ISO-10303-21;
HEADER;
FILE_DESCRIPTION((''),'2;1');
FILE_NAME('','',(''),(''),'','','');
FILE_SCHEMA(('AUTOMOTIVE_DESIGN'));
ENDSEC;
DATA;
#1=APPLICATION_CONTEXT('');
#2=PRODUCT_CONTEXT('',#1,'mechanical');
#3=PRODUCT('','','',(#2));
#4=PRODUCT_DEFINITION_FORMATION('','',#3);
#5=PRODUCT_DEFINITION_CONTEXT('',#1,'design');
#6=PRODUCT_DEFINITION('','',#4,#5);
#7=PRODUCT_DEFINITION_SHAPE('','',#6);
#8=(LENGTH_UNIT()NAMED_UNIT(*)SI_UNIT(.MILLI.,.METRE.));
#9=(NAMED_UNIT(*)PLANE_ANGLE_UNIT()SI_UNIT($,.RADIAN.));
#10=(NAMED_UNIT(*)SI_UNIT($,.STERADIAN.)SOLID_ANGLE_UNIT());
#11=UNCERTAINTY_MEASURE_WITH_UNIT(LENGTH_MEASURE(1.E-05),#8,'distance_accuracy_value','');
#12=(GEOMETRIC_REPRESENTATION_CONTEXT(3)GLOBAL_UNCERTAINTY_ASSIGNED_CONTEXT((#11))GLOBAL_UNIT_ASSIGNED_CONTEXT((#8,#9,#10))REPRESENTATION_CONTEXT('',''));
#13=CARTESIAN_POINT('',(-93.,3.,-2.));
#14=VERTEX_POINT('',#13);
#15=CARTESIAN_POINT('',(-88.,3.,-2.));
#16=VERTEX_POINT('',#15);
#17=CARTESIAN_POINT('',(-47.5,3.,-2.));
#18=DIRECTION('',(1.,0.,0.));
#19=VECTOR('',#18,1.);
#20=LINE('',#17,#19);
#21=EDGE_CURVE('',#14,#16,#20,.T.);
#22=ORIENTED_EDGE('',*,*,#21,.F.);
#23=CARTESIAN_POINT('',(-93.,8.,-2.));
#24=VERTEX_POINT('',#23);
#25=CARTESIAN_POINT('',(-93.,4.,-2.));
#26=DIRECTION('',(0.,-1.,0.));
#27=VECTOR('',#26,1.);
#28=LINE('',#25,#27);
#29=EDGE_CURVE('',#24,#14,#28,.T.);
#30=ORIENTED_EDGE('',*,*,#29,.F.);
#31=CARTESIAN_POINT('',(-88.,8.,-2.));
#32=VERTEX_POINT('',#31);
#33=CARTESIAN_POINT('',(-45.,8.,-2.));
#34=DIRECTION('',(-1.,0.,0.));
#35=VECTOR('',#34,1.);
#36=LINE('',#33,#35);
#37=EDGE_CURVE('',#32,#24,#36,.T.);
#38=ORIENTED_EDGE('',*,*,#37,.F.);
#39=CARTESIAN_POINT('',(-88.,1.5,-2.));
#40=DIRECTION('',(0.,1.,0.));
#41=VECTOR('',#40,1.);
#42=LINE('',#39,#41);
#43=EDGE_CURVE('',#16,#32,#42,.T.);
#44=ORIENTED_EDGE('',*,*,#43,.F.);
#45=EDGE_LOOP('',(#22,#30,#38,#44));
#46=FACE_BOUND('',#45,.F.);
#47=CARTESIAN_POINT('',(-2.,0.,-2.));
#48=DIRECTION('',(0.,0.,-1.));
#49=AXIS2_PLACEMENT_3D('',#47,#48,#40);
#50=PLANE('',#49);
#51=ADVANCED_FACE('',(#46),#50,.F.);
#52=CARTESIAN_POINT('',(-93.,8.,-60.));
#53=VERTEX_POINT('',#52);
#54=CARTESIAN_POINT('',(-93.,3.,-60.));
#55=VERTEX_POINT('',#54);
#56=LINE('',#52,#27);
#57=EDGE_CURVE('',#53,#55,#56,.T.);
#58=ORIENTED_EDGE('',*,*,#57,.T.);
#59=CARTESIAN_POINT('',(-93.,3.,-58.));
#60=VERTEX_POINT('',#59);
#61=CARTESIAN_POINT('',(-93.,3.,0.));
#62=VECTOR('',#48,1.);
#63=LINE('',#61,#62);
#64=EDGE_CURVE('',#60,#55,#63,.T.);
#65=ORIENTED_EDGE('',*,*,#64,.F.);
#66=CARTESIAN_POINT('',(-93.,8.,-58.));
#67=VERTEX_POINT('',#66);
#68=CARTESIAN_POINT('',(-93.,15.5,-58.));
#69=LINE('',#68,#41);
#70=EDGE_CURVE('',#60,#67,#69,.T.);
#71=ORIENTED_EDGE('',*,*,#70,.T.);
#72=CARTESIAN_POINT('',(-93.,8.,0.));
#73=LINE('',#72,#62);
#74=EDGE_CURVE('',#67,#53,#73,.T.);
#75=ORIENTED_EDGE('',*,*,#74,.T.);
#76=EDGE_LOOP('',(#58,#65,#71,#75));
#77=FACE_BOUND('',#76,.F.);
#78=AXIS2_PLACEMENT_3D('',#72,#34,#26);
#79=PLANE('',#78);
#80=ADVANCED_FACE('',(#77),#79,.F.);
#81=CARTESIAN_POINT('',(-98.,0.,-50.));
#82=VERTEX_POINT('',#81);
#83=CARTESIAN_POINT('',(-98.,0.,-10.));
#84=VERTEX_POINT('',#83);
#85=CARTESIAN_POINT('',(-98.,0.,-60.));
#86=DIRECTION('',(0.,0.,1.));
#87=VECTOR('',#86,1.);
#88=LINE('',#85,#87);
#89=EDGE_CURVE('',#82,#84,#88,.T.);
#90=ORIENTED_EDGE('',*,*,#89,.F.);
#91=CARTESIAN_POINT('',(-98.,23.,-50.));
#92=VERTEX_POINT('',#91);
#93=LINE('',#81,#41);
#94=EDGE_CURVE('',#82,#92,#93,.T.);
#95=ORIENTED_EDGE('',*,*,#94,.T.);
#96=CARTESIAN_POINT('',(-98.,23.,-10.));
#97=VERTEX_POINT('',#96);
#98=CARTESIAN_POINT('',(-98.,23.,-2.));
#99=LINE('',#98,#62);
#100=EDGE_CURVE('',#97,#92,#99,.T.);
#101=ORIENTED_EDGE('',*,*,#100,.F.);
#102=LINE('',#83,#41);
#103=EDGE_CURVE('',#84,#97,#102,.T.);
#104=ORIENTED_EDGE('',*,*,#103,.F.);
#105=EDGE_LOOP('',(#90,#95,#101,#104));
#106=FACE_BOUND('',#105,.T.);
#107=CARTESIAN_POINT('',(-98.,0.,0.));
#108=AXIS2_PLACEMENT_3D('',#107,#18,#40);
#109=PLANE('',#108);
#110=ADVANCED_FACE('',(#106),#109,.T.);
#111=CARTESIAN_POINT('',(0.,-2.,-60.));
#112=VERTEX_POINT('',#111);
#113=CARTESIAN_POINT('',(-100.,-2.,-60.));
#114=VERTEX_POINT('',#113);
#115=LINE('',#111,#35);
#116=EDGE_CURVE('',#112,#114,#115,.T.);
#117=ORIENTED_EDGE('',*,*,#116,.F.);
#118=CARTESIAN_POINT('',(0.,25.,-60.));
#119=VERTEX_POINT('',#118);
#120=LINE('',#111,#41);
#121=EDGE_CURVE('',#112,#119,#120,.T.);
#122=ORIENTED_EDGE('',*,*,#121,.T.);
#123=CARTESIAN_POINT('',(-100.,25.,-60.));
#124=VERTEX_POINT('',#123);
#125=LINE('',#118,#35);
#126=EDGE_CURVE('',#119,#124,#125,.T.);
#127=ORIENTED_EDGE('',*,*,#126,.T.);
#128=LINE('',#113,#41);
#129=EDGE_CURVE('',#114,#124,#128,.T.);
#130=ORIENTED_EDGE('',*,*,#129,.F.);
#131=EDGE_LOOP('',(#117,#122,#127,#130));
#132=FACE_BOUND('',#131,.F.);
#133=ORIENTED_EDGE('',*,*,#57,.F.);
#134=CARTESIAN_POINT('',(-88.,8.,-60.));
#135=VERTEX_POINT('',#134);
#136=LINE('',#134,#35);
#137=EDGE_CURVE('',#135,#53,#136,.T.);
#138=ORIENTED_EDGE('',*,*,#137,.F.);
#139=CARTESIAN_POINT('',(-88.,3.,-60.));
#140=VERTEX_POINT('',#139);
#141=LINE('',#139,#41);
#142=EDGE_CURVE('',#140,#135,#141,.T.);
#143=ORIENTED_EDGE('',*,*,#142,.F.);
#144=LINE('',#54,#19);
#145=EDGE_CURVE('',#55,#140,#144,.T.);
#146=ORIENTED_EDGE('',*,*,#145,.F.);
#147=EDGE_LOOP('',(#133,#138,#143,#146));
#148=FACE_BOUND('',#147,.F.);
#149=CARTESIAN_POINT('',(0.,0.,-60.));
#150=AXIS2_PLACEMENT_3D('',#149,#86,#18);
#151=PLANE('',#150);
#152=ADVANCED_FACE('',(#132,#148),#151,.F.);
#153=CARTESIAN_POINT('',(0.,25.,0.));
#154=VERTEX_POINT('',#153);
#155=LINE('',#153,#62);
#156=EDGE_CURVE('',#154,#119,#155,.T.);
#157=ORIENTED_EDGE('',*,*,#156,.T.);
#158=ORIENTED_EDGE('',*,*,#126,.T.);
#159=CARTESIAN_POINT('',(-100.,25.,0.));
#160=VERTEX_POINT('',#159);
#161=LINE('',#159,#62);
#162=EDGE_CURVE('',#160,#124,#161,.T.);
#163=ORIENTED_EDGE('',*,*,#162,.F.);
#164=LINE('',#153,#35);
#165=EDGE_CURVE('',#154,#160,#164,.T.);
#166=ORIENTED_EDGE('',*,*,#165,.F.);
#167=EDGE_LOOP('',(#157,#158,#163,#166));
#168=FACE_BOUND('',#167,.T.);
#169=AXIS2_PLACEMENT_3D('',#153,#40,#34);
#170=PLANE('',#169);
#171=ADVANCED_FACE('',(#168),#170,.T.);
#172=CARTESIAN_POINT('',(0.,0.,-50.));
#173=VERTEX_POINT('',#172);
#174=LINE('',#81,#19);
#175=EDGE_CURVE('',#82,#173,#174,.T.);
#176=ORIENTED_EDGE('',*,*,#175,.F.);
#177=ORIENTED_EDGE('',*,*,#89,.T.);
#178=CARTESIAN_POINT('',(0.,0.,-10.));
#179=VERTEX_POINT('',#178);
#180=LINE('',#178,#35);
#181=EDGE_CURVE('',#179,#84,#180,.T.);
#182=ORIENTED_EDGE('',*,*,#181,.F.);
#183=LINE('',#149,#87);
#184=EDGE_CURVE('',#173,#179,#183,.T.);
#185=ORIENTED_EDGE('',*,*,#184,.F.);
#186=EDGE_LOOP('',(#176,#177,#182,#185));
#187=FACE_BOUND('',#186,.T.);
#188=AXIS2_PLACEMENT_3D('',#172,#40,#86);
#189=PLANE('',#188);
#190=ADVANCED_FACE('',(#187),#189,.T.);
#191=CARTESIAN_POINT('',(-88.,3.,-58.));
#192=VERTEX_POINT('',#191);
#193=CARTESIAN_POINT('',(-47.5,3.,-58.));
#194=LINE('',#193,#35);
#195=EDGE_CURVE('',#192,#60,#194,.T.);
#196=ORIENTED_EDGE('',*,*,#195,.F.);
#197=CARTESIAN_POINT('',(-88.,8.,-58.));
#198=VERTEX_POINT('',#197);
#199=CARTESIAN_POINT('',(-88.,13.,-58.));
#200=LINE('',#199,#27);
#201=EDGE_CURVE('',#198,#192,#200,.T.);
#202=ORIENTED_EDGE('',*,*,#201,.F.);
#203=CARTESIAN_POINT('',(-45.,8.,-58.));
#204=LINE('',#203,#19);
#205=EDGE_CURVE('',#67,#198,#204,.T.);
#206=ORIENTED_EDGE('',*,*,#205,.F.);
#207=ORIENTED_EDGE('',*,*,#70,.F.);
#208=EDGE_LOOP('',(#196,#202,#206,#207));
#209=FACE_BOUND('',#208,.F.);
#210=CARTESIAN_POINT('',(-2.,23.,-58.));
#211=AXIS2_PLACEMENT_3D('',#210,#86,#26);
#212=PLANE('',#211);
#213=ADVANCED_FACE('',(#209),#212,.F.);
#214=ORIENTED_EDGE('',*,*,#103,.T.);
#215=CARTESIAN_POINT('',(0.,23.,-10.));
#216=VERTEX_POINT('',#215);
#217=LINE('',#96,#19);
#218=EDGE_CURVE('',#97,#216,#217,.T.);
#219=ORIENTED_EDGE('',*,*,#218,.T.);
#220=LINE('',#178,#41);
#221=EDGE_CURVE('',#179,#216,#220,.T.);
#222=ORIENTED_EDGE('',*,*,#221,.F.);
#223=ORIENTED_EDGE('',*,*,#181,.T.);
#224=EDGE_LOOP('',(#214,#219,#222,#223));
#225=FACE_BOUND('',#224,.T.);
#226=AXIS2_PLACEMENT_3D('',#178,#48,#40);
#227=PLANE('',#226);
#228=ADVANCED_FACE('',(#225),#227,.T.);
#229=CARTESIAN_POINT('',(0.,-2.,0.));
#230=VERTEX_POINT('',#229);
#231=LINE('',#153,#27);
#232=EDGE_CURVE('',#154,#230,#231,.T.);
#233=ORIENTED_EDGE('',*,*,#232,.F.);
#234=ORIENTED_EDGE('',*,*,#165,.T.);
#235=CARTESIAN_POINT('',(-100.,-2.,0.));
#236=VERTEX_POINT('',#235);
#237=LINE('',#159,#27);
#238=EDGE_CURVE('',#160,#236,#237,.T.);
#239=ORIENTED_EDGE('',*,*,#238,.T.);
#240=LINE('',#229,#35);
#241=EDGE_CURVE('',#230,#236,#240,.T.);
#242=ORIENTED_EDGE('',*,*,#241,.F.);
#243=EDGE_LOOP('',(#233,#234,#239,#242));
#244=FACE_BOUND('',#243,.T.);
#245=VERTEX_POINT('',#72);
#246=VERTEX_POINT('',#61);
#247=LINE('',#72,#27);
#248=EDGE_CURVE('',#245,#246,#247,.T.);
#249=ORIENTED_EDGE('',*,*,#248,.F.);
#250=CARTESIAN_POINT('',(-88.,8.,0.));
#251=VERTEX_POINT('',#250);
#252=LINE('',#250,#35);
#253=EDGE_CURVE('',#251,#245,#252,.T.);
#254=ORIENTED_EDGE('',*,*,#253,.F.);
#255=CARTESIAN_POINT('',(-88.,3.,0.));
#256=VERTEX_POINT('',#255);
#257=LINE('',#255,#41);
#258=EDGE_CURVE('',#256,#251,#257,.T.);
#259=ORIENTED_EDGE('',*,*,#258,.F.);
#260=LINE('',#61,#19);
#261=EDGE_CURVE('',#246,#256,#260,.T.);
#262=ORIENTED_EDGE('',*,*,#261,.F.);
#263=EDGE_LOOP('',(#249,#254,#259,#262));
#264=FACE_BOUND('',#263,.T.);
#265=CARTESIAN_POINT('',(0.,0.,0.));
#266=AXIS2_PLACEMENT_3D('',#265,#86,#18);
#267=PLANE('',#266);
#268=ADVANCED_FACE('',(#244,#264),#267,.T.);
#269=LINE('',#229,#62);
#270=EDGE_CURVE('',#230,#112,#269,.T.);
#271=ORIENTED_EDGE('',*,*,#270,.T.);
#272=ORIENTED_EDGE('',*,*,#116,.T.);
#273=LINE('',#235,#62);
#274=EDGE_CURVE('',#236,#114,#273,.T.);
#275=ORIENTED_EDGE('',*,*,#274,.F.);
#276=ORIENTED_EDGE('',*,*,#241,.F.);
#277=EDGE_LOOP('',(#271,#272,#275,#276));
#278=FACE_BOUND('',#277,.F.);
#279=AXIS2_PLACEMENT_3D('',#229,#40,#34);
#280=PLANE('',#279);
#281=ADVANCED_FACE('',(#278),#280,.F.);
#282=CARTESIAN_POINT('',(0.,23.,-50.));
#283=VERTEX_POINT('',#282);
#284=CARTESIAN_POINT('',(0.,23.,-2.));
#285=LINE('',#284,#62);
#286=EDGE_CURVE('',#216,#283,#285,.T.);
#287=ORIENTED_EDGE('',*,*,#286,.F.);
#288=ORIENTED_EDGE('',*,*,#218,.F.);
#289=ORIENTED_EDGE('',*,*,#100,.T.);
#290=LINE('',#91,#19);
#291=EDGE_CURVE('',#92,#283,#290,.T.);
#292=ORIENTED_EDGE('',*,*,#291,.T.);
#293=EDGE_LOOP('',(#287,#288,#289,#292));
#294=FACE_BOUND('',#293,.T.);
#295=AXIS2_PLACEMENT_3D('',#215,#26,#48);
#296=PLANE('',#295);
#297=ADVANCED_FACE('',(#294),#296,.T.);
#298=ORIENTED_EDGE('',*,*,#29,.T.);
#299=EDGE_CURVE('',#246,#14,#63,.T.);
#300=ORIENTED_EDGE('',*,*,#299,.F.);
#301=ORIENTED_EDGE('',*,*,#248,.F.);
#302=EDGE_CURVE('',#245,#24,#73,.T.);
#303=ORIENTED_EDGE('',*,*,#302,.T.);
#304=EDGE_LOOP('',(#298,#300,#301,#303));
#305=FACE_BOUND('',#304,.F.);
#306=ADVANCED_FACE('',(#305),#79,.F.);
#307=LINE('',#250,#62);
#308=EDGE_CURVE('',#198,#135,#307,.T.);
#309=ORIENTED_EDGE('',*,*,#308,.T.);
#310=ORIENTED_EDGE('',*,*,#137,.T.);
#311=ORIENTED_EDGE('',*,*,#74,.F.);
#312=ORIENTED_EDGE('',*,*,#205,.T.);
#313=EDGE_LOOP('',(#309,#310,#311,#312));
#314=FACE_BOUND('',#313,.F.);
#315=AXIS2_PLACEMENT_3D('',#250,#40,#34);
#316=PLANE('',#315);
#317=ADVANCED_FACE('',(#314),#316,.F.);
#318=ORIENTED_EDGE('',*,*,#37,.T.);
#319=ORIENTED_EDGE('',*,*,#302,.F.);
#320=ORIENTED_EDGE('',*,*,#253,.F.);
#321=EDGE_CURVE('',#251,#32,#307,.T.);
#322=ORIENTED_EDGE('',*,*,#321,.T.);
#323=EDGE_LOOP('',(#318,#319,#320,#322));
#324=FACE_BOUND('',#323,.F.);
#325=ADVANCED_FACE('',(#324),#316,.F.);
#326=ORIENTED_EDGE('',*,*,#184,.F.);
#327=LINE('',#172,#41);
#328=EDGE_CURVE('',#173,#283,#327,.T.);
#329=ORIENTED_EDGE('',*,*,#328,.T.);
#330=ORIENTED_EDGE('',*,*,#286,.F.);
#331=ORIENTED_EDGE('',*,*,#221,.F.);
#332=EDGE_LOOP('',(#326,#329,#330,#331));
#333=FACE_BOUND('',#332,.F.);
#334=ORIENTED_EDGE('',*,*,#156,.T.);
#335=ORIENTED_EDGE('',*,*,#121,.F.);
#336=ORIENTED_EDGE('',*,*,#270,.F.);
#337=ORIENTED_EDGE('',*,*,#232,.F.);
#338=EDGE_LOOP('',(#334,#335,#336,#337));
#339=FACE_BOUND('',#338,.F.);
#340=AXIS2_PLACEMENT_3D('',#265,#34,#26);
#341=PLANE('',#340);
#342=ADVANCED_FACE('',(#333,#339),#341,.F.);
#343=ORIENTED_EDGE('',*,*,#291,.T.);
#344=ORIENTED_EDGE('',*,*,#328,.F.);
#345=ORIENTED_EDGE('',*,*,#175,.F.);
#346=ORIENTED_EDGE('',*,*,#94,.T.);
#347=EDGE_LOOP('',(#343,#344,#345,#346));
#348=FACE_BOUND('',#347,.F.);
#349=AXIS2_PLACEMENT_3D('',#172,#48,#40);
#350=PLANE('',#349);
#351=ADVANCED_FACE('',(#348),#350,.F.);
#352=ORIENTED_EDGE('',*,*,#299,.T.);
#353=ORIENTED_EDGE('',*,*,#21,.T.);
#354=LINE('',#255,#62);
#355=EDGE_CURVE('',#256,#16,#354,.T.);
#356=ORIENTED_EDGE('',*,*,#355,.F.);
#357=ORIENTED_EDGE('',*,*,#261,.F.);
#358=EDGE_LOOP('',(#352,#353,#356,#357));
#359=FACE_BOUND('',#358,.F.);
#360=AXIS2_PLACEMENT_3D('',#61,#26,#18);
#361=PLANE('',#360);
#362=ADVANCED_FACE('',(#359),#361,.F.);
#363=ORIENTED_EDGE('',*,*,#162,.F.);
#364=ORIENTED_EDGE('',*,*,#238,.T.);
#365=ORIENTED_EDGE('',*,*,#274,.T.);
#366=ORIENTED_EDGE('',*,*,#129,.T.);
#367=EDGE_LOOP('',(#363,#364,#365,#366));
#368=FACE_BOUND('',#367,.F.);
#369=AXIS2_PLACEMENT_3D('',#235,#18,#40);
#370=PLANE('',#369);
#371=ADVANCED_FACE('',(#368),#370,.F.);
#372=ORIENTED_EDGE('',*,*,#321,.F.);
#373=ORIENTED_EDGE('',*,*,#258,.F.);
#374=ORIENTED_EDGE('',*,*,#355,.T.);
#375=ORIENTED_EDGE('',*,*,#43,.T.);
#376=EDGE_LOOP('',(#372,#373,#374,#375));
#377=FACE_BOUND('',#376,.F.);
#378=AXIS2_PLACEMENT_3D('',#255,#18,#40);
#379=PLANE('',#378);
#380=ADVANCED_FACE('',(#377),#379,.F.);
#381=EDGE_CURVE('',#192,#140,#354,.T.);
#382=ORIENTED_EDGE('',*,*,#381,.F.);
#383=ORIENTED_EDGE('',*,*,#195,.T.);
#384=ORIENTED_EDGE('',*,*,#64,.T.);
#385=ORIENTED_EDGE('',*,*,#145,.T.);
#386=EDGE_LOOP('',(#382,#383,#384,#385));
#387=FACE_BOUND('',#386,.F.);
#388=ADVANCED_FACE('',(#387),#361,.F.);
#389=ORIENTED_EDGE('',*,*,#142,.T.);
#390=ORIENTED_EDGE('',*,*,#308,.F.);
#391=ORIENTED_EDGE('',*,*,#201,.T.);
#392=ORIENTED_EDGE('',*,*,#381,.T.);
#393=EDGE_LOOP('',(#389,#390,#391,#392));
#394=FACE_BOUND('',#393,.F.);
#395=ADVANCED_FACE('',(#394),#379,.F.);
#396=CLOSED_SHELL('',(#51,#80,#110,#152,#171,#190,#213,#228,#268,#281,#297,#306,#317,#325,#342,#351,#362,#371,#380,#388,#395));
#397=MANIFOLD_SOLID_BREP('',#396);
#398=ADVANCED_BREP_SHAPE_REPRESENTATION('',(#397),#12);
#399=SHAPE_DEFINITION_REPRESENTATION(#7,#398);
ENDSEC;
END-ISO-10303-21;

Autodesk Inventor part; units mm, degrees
ref_plane "XZ Plane" through (0, 0, 0) normal (0, 1, 0) x (-1, 0, 0)
ref_plane "XY Plane" through (0, 0, 0) normal (0, 0, 1) x (1, 0, 0)
sketch "Эскиз1" plane through (0, 0, 0) normal (1, 0, 0) x (0, 1, 0)
  line L0 (0, 0) -> (25, 0)
  line L1 (25, 0) -> (25, -60)
  line L2 (25, -60) -> (0, -60)
  line L3 (0, -60) -> (0, 0)
  line L4 (0, 0) -> (0, -2)
  line L5 (0, -2) -> (23, -2)
  line L6 (23, -2) -> (23, -58)
  line L7 (23, -58) -> (0, -58)
  line L8 (0, 0) -> (0, -10)
  line L9 (0, -10) -> (23, -10)
  line L10 (0, -10) -> (0, -50)
  line L11 (0, -50) -> (23, -50)
  line L12 (0, 0) -> (-2, 0)
  line L13 (-2, 0) -> (-2, -60)
  line L14 (-2, -60) -> (0, -60)
  line L15 (0, -10) -> (0, -50)
  dimension "d0" = 25
  dimension "d1" = 60
  dimension "d2" = 2
  dimension "d3" = 23
  dimension "d4" = 56
  dimension "d5" = 10
  dimension "d6" = 40
  dimension "d26" = 2
sketch "Эскиз2" plane through (0, 0, 0) normal (0, 0, 1) x (1, 0, 0)
  line L0 (0, 0) -> (0, 25)
  line L1 (0, 25) -> (-100, 25)
  line L2 (-100, 25) -> (-100, 0)
  line L3 (-100, 0) -> (0, 0)
  line L4 (-100, 0) -> (-98, 0)
  line L5 (-98, 0) -> (-98, 23)
  line L6 (-98, 23) -> (-2, 23)
  line L7 (-2, 23) -> (-2, 0)
  line L8 (-98, 0) -> (-93, 0)
  line L9 (-93, 3) -> (-88, 3)
  line L10 (-88, 3) -> (-88, 8)
  line L11 (-88, 8) -> (-93, 8)
  line L12 (-93, 8) -> (-93, 3)
  line L13 (0, 0) -> (0, -2)
  line L14 (0, -2) -> (-100, -2)
  line L15 (-100, -2) -> (-100, 0)
  line L16 (-98, 0) -> (-2, 0)
  dimension "d7" = 25
  dimension "d8" = 100
  dimension "d9" = 2
  dimension "d10" = 23
  dimension "d11" = 96
  dimension "d13" = 3
  dimension "d14" = 5
  dimension "d15" = 5
  dimension "d16" = 88
  dimension "d17" = 17
  dimension "d27" = 2
ref_plane "РабПлоскость3" through (-2, 0, 0) normal (1, 0, 0) x (0, 1, 0)
sketch "Эскиз3" plane through (-2, 0, 0) normal (1, 0, 0) x (0, 1, 0)
  line L0 (0, 0) -> (0, -2)
  line L1 (0, -2) -> (23, -2)
  line L2 (23, -2) -> (23, -58)
  line L3 (23, -58) -> (0, -58)
  line L4 (0, -58) -> (0, -50)
  line L5 (0, -50) -> (23, -50)
  line L6 (23, -50) -> (23, -10)
  line L7 (23, -10) -> (0, -10)
  line L8 (0, -10) -> (0, -2)
  line L9 (0, -50) -> (0, -58)
  dimension "d30" = 2
  dimension "d31" = 23
  dimension "d32" = 56
  dimension "d33" = 8
  dimension "d34" = 40
extrude "Выдавливание5" add sketch "Эскиз2" against normal blind 60 contours L3 L7 L6 L5 L2 L1 L0 | L3 L5 L6 L7
extrude "Выдавливание6" add sketch "Эскиз2" against normal blind 60 contours L13 L14 L15 L3
extrude "Выдавливание7" cut sketch "Эскиз1" against normal blind 98 contours L9 L6 L11 L3
extrude "Выдавливание8" add sketch "Эскиз3" against normal blind 98
